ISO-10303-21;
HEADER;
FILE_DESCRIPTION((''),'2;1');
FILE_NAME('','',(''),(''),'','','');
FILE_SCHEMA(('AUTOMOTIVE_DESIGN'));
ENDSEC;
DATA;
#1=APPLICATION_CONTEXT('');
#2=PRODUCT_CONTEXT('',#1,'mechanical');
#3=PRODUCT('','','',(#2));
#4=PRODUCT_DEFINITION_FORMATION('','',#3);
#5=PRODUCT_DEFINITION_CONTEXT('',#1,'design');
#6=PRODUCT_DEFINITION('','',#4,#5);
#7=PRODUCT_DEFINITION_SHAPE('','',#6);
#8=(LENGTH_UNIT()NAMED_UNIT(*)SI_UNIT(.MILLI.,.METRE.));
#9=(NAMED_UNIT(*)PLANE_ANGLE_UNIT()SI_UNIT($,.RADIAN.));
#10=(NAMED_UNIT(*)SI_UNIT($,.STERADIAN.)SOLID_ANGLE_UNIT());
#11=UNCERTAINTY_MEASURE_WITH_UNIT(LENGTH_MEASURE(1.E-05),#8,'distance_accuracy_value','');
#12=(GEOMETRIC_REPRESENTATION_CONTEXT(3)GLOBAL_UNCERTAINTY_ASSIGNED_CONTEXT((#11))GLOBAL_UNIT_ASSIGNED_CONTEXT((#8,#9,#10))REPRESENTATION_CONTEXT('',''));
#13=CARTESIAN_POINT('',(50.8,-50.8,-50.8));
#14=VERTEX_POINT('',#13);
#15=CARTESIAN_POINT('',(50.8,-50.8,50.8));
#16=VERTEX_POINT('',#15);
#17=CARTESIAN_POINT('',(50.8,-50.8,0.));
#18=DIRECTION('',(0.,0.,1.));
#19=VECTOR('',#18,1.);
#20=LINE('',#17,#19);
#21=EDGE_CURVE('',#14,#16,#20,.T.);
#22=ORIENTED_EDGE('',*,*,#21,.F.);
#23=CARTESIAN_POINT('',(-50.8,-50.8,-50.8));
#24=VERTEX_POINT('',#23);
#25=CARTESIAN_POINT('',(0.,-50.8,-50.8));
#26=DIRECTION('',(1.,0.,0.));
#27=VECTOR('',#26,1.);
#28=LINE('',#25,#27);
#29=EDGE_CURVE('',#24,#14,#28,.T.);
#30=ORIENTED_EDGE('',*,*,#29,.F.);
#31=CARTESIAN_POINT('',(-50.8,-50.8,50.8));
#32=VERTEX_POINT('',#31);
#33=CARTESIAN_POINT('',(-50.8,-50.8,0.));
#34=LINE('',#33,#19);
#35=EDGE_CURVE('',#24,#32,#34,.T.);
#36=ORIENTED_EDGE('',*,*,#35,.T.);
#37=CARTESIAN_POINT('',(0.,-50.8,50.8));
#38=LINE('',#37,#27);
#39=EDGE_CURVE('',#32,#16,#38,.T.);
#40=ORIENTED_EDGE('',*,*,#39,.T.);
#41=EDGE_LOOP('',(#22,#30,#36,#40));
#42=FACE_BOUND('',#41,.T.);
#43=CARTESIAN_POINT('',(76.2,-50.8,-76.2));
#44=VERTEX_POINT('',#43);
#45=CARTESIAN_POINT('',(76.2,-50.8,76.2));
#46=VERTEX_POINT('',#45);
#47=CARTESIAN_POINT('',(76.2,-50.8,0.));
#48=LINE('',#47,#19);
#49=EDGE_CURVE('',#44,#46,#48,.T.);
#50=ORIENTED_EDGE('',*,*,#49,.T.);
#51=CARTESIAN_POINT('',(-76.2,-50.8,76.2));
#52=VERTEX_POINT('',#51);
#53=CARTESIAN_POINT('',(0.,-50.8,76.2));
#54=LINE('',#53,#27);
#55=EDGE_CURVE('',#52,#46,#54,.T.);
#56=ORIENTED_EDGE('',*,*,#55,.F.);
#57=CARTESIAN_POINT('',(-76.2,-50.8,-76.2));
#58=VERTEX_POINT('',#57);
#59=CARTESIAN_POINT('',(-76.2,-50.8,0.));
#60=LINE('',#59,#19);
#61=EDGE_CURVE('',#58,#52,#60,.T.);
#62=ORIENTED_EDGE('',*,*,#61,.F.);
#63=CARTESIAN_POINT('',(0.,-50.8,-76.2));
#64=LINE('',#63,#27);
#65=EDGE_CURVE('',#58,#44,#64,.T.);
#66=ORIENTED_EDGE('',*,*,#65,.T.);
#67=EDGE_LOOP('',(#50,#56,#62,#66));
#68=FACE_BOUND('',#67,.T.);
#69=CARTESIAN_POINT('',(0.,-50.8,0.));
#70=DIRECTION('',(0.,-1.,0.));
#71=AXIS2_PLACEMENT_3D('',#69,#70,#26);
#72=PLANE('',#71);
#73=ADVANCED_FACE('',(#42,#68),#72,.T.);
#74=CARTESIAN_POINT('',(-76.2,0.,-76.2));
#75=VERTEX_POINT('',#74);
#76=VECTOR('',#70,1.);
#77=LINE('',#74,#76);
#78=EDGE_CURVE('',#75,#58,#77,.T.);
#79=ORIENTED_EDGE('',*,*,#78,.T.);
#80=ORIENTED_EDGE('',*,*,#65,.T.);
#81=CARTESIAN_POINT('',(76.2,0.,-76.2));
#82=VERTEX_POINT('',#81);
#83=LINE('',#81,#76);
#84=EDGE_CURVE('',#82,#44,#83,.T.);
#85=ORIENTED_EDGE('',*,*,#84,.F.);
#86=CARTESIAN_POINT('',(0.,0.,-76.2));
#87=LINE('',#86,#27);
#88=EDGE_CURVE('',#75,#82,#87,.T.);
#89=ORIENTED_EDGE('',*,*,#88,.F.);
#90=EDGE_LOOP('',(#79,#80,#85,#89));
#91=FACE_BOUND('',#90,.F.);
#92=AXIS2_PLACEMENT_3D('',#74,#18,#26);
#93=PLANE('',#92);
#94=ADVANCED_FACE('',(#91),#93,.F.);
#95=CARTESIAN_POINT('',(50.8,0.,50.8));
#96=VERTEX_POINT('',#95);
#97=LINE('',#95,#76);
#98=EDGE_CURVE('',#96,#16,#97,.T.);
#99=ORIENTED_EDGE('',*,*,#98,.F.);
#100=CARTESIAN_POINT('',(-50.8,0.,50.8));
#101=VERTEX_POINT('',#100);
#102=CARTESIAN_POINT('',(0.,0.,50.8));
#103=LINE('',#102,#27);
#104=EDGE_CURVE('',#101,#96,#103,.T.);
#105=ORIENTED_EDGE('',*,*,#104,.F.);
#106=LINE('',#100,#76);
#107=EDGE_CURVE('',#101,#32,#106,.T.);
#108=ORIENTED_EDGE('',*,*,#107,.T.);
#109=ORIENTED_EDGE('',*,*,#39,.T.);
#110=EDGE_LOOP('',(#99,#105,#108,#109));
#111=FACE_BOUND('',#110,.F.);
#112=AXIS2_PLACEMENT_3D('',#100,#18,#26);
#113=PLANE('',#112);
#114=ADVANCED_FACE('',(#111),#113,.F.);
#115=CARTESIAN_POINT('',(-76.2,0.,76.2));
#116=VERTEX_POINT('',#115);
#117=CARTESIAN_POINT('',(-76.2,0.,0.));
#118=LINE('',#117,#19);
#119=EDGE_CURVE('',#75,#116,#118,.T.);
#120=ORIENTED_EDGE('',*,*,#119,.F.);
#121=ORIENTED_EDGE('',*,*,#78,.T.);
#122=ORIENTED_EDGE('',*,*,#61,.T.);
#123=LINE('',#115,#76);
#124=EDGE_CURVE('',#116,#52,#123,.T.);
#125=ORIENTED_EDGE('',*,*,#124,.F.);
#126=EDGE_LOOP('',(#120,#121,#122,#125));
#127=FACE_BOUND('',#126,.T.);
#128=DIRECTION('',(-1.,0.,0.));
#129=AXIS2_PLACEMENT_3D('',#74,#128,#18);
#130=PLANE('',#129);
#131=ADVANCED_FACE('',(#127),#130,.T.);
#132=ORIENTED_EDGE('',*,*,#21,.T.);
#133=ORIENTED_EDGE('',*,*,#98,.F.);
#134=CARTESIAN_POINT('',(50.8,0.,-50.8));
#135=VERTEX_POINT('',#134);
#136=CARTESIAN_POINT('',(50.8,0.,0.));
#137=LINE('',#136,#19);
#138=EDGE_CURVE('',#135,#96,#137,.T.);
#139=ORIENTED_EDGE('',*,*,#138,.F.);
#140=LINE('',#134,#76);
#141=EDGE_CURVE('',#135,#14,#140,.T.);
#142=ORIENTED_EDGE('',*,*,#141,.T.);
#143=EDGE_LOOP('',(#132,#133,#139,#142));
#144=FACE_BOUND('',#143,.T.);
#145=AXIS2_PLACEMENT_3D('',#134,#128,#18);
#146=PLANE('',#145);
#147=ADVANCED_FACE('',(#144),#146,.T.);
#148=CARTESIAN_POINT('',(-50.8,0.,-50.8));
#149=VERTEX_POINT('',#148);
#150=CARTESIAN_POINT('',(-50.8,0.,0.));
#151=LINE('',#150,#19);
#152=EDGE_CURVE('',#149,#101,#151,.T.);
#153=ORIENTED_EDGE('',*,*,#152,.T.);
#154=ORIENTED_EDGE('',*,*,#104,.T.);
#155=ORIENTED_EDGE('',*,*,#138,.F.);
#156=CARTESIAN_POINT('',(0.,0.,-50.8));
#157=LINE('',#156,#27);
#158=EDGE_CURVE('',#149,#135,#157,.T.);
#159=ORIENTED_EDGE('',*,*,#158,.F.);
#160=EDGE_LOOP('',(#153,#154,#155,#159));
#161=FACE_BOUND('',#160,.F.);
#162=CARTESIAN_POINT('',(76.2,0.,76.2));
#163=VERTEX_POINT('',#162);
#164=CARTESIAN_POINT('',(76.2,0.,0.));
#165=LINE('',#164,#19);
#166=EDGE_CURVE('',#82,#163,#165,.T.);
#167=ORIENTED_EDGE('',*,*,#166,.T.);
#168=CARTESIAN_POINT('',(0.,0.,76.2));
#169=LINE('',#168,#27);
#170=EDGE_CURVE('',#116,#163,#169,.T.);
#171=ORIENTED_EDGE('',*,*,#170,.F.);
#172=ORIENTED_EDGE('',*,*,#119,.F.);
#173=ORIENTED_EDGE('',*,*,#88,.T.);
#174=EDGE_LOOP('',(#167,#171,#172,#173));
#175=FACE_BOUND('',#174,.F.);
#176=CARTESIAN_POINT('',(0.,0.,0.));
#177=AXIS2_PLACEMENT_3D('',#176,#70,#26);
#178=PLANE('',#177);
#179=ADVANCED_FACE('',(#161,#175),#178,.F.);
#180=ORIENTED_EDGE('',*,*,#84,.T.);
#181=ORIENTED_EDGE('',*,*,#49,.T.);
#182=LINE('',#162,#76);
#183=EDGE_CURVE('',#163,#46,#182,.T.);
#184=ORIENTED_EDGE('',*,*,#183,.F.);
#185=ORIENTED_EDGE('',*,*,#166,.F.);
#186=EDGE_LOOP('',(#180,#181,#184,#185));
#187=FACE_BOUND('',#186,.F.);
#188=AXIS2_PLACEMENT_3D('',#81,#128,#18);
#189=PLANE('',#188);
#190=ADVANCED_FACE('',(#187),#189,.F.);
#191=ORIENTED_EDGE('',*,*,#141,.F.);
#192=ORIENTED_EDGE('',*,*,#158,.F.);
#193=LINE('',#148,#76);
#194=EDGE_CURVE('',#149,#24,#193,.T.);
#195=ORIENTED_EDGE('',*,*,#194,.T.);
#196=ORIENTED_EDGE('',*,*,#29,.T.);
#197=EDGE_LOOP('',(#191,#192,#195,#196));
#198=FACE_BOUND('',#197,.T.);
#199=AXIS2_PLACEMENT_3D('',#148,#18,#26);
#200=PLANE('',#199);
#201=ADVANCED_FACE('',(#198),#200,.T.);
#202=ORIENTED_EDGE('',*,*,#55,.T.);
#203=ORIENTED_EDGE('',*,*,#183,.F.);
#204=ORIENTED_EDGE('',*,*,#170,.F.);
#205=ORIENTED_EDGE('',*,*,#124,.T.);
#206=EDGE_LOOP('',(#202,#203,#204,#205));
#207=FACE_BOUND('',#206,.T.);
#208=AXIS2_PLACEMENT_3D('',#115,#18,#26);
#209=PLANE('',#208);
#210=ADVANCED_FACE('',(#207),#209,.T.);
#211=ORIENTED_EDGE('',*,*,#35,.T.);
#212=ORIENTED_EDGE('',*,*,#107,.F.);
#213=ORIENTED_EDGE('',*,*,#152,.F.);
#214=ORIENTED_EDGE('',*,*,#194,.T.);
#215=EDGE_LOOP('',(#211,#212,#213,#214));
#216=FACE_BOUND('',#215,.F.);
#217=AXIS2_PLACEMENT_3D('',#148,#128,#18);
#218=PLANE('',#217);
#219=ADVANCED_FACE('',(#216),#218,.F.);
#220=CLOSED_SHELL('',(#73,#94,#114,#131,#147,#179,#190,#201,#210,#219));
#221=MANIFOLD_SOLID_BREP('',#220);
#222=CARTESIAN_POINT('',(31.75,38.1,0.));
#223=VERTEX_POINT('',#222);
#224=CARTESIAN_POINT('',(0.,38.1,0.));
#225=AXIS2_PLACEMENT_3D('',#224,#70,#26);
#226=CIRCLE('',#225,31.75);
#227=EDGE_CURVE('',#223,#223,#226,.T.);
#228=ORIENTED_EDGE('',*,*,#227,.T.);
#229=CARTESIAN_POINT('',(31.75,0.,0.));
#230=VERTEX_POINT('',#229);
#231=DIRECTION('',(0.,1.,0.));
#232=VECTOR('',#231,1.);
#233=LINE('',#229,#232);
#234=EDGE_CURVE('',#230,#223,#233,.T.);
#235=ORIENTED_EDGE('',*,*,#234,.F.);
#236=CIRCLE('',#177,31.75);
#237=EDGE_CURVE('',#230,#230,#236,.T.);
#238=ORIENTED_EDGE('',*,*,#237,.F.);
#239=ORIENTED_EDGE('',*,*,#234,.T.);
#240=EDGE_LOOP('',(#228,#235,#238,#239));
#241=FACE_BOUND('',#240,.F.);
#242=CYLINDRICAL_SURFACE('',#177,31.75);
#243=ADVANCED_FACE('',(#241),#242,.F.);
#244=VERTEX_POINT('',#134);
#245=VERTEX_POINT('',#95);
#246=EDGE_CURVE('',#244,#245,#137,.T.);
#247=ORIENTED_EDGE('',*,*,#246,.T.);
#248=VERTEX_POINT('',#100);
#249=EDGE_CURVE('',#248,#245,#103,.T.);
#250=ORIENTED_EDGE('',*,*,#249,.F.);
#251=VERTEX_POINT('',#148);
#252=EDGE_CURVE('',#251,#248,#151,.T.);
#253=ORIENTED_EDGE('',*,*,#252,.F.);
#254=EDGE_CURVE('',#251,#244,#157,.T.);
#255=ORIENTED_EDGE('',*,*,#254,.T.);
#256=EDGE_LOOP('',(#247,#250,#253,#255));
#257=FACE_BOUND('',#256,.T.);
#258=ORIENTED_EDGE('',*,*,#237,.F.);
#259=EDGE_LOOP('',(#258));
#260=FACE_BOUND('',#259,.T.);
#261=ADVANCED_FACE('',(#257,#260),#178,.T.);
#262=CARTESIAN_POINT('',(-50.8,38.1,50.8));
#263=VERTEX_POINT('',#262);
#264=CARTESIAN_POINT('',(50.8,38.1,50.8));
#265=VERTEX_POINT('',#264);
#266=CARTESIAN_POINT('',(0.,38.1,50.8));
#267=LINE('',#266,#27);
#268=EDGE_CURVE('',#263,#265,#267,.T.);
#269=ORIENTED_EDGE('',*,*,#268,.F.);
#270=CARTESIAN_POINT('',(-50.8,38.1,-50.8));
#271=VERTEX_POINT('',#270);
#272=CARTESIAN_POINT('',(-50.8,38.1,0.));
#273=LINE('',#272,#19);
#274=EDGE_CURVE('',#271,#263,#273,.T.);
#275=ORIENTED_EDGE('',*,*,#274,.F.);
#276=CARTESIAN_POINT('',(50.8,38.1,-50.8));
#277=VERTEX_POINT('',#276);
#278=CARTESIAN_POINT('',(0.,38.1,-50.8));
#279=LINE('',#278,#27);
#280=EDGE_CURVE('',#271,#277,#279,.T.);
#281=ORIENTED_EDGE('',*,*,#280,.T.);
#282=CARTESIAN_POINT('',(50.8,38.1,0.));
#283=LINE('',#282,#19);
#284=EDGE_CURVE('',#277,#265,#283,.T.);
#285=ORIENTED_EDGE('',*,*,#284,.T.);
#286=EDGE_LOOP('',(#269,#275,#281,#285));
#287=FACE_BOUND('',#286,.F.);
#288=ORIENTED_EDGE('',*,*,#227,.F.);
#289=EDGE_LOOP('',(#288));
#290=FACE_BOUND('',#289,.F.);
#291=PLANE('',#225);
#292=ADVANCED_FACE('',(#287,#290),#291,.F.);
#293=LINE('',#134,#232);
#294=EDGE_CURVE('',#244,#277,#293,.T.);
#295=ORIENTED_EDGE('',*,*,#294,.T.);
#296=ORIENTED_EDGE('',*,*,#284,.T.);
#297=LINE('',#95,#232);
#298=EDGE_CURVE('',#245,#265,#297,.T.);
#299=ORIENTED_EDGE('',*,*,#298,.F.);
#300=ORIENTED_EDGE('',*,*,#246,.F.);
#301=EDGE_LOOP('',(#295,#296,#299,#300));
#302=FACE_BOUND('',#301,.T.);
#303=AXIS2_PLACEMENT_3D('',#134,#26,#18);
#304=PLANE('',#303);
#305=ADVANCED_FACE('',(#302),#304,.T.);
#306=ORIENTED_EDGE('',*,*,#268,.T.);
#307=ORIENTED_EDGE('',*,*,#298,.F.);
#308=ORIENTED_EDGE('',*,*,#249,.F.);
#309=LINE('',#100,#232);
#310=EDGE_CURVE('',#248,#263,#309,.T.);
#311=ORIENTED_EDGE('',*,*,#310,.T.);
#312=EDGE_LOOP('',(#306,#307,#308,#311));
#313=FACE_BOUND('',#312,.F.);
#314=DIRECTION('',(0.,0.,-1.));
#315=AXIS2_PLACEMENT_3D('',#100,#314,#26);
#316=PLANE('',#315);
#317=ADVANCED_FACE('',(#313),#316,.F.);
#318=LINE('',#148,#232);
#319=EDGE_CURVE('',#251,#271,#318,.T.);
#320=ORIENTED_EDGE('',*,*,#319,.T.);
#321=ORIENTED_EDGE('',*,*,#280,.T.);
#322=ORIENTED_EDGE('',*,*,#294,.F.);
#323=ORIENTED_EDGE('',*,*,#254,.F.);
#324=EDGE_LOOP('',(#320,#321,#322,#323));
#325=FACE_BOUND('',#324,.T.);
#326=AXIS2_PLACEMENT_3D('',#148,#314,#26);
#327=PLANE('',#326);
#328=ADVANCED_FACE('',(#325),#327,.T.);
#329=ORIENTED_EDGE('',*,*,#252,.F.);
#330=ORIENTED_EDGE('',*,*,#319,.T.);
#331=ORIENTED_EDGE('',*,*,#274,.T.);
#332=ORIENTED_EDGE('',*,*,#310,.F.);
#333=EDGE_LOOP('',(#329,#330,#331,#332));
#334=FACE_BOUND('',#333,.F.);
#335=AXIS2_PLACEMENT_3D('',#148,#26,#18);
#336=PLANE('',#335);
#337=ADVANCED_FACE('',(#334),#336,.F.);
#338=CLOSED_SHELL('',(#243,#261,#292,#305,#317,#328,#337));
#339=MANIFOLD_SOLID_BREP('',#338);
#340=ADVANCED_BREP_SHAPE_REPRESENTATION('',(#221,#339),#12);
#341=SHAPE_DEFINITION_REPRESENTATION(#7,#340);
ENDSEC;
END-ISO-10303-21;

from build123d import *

# Parameters (mm, degrees)
F0_W     = 152.4
F0_H     = 152.4
F0_W_2   = 101.6
F0_H_2   = 101.6
F1_DEPTH = 50.8
F0_R     = 31.75
F2_DEPTH = 38.1


with BuildPart() as f1:
    # F0 (on Front) → F1 (new body)
    with BuildSketch(Plane.XZ):
        Rectangle(F0_W, F0_H)
        Rectangle(F0_W_2, F0_H_2, mode=Mode.SUBTRACT)
    extrude(amount=F1_DEPTH)


with BuildPart() as f2:
    # F0 (on Front) → F2 (new body)
    with BuildSketch(Plane.XZ):
        Rectangle(F0_W_2, F0_H_2)
        Circle(F0_R, mode=Mode.SUBTRACT)
    extrude(amount=-F2_DEPTH)


solid = Compound([f1.part, f2.part])
